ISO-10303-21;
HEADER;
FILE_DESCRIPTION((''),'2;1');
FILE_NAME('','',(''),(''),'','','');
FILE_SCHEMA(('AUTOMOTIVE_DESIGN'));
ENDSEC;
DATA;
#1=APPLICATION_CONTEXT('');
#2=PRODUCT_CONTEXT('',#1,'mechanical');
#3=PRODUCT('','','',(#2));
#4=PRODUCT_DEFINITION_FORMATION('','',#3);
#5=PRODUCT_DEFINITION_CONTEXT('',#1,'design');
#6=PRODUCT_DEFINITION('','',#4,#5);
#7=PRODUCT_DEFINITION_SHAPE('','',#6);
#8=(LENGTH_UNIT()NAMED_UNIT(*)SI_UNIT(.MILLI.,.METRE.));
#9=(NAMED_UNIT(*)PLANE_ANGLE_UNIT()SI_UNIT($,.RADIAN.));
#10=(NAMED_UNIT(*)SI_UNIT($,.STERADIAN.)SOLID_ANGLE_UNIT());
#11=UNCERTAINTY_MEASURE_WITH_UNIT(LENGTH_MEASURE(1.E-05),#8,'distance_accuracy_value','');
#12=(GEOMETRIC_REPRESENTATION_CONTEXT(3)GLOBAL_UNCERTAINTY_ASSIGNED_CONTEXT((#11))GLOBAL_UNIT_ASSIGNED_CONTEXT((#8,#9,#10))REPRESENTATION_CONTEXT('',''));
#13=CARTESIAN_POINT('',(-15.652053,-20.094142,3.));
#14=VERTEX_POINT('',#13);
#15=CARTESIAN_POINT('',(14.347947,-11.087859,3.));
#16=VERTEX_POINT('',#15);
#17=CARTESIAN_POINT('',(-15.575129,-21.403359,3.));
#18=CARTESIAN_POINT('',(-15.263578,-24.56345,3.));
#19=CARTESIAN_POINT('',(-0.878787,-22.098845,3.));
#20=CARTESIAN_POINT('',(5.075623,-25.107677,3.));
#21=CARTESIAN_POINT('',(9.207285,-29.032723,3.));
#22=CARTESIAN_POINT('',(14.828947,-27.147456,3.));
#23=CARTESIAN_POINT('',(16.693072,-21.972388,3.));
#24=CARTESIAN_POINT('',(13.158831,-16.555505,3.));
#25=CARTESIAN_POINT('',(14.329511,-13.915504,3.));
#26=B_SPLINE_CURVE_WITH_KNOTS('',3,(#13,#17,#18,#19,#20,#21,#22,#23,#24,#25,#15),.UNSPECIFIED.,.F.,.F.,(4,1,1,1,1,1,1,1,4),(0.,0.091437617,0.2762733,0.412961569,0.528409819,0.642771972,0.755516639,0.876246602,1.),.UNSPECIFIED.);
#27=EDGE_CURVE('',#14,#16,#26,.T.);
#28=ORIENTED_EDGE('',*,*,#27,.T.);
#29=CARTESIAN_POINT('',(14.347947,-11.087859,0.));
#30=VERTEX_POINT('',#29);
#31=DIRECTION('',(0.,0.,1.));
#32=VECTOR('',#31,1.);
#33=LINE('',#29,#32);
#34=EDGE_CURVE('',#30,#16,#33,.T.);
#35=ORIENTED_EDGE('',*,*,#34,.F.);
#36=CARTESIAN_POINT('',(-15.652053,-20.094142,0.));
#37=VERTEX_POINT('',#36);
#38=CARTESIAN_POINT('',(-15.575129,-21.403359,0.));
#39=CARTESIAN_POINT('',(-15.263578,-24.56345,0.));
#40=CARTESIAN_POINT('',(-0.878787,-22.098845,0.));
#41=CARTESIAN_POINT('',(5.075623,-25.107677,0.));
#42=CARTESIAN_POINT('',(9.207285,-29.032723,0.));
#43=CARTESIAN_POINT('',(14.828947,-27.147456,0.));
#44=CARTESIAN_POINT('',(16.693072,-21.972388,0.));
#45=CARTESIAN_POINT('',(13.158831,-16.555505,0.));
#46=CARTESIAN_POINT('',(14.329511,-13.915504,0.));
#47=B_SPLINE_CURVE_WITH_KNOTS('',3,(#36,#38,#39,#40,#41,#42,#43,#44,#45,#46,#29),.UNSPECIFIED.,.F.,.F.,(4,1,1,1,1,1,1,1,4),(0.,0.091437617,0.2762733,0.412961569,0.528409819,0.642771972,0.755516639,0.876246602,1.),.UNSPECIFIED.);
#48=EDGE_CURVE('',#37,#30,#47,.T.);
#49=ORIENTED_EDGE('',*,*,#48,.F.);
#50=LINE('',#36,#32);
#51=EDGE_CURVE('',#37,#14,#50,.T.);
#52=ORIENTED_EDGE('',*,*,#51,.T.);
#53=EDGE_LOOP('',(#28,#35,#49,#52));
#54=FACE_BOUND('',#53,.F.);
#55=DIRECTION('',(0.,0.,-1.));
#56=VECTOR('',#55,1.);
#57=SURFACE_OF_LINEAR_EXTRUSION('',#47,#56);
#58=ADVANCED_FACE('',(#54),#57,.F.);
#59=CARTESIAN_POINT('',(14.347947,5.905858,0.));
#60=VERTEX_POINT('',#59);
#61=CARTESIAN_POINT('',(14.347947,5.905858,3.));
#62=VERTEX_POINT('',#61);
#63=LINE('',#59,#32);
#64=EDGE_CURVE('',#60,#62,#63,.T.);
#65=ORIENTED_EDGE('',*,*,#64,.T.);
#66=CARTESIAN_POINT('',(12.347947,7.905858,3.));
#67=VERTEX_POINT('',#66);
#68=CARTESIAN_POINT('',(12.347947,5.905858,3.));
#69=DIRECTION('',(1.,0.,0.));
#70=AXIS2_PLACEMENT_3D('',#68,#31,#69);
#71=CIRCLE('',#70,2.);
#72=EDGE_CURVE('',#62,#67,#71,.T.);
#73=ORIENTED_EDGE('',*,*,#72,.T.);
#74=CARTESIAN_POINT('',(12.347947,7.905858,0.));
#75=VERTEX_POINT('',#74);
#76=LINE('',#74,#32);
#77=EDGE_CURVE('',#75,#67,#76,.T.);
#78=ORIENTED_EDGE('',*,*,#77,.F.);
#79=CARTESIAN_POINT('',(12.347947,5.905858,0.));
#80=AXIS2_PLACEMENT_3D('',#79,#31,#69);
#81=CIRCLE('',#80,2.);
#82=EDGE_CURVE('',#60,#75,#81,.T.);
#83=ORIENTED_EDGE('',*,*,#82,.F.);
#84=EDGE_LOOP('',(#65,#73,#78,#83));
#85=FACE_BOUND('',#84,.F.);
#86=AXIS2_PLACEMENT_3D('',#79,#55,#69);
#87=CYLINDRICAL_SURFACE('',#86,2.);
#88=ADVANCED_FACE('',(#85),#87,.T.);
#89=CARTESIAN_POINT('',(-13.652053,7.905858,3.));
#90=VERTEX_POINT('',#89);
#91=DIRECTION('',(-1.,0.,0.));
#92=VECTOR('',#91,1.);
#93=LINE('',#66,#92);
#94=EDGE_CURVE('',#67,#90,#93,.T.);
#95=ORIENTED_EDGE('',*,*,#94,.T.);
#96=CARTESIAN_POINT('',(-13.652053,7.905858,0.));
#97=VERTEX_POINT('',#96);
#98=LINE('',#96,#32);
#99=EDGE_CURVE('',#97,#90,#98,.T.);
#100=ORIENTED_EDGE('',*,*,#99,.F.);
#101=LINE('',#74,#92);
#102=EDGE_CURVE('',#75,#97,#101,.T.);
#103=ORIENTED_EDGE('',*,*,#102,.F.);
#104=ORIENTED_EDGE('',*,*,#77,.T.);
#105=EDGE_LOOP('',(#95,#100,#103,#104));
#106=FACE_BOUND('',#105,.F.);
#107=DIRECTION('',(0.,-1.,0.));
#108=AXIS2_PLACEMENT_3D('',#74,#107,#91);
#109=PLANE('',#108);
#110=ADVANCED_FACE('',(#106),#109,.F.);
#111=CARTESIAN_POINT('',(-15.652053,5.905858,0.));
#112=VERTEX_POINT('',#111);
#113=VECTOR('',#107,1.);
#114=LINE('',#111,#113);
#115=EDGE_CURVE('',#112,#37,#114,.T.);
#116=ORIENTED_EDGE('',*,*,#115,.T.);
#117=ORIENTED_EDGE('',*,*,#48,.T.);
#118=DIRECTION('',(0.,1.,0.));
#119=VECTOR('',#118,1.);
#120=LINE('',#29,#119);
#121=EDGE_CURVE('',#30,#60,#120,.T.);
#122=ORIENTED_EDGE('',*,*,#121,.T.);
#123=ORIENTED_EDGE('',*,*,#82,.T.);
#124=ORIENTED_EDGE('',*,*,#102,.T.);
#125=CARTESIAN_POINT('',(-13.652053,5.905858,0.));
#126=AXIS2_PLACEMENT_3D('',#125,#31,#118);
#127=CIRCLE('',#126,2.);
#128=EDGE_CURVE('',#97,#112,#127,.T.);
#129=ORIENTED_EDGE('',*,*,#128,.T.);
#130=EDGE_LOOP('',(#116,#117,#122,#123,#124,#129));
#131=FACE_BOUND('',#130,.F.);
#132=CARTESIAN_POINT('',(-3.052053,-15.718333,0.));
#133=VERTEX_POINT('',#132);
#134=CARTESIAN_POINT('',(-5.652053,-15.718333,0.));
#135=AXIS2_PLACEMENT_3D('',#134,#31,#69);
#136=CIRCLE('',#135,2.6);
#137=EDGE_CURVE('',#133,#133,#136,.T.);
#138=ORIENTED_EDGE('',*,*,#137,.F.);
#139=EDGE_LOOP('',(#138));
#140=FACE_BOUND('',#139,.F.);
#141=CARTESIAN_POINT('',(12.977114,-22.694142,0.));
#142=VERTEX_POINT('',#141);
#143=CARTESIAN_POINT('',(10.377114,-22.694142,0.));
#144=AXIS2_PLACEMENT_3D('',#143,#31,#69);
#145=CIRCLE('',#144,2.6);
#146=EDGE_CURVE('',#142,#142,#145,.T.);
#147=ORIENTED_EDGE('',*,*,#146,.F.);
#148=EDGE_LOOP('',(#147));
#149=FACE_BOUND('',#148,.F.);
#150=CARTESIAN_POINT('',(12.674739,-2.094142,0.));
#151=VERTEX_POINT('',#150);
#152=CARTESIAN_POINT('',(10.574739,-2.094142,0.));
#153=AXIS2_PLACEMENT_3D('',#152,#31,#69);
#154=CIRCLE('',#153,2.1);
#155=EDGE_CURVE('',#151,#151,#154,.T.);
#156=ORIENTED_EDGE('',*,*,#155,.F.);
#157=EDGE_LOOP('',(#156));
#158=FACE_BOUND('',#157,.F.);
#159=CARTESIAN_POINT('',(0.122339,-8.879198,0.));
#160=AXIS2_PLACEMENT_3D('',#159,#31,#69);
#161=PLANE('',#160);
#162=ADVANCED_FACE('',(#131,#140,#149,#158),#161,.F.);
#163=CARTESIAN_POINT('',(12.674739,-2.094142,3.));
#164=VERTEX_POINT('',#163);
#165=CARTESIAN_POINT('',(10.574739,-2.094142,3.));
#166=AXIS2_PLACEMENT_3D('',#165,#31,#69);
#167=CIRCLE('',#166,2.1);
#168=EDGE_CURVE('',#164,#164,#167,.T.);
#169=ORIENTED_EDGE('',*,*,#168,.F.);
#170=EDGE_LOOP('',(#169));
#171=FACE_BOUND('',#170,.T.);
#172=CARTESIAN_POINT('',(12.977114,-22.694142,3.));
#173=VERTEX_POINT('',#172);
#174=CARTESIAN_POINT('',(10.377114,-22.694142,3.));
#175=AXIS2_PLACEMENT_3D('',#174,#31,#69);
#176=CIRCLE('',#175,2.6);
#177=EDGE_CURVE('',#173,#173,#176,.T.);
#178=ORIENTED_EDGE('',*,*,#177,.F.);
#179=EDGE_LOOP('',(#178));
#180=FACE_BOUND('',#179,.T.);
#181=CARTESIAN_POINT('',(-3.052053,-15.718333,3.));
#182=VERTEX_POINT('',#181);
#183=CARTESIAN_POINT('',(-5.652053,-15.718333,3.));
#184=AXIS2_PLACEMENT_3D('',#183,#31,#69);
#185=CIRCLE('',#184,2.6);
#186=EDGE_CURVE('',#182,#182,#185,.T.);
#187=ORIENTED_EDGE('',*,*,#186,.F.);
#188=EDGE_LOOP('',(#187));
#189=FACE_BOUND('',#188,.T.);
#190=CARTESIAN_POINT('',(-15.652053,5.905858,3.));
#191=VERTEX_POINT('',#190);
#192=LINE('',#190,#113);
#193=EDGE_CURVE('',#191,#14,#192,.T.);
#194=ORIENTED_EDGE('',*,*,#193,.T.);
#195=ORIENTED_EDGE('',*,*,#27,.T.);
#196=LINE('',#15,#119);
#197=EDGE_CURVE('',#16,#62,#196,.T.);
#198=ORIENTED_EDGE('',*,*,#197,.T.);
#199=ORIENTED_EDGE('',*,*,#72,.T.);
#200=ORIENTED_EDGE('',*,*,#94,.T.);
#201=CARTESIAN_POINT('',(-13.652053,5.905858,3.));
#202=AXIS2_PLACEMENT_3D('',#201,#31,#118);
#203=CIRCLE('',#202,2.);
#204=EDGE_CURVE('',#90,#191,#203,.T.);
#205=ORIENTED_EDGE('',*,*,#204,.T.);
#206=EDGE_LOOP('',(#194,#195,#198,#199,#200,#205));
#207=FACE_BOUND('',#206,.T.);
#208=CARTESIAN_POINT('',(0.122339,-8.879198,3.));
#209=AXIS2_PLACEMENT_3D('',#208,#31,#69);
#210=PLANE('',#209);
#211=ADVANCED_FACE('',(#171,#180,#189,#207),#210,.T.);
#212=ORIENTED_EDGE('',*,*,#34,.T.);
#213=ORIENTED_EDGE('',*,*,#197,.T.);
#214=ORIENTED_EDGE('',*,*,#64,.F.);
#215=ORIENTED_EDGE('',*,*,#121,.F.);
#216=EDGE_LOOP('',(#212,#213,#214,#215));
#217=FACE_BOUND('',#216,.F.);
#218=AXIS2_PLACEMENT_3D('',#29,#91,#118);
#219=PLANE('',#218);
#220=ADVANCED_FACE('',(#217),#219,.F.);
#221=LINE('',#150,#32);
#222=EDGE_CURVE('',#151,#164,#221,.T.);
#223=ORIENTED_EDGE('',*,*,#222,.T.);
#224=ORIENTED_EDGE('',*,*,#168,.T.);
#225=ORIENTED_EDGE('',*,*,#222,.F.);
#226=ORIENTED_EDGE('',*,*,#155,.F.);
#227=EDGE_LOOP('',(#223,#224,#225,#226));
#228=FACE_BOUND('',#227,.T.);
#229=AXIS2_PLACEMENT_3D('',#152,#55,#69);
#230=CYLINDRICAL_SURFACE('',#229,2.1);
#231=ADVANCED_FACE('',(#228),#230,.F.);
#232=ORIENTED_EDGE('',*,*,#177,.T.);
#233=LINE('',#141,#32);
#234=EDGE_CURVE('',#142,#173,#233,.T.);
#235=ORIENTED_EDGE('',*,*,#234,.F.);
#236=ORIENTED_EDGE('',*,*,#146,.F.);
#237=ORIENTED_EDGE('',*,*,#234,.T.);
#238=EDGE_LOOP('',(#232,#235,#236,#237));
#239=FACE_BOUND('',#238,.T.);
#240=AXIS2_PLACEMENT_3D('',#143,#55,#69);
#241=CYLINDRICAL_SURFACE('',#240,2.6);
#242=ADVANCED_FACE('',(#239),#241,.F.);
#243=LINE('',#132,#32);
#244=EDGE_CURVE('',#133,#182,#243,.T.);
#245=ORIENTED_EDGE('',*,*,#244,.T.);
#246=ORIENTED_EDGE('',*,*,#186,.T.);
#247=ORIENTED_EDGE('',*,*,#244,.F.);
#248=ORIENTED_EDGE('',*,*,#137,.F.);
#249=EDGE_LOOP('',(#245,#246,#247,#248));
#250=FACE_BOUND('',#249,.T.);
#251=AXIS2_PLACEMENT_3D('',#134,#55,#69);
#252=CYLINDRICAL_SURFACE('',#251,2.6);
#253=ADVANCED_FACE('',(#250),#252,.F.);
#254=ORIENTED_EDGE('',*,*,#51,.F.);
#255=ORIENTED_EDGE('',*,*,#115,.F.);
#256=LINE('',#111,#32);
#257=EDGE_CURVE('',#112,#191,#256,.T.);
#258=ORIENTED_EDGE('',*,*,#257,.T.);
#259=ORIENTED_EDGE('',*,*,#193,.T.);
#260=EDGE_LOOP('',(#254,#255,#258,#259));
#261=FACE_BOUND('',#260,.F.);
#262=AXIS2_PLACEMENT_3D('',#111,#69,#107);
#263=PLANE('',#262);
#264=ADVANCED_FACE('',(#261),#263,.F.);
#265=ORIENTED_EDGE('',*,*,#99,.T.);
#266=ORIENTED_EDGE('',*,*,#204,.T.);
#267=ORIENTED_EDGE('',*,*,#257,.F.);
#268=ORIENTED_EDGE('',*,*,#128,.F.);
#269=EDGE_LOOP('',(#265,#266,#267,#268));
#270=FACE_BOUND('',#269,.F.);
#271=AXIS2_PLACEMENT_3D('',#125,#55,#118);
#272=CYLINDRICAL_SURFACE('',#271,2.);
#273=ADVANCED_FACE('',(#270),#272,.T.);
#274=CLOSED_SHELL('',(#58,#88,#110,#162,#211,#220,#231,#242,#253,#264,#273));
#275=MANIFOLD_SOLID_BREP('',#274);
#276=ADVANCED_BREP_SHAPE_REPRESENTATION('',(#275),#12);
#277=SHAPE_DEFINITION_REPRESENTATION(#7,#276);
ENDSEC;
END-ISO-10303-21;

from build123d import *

# Parameters (mm, degrees)
F0_R     = 2.6
F0_R_2   = 2.1
F1_DEPTH = 3


with BuildPart() as f1:
    # F0 (on Top) → F1 (new body)
    with BuildSketch(Plane.XY):
        with BuildLine():
            Line((12.3479472026, 7.9058583081), (-13.6520527974, 7.9058583081))
            ThreePointArc((-13.6520527974, 7.9058583081), (-15.0662663598, 7.3200718704), (-15.6520527974, 5.9058583081))
            Line((-15.6520527974, 5.9058583081), (-15.6520527974, -20.0941416919))
            add(Edge.make_bspline(
                [(-15.6520527974, -20.0941416919), (-15.5751293037, -21.4033594279), (-15.2635781681, -24.5634502002), (-0.8787874809, -22.0988449664), (5.0756230648, -25.1076771756), (9.2072850265, -29.0327234408), (14.8289471052, -27.1474559823), (16.6930721896, -21.9723878023), (13.1588311211, -16.5555052211), (14.3295111489, -13.9155043625), (14.3479472026, -11.0878590494)],
                knots=[0, 0, 0, 0, 0.0914376173, 0.2762733003, 0.4129615686, 0.5284098194, 0.6427719716, 0.7555166389, 0.8762466025, 1, 1, 1, 1], degree=3))
            Line((14.3479472026, -11.0878590494), (14.3479472026, 5.9058583081))
            ThreePointArc((14.3479472026, 5.9058583081), (13.762160765, 7.3200718704), (12.3479472026, 7.9058583081))
        make_face()
        with Locations((-5.6520527974, -15.7183334231)):
            Circle(F0_R, mode=Mode.SUBTRACT)
        with Locations((10.3771137074, -22.6941416919)):
            Circle(F0_R, mode=Mode.SUBTRACT)
        with Locations((10.5747394032, -2.0941416919)):
            Circle(F0_R_2, mode=Mode.SUBTRACT)
    extrude(amount=F1_DEPTH)


solid = f1.part
